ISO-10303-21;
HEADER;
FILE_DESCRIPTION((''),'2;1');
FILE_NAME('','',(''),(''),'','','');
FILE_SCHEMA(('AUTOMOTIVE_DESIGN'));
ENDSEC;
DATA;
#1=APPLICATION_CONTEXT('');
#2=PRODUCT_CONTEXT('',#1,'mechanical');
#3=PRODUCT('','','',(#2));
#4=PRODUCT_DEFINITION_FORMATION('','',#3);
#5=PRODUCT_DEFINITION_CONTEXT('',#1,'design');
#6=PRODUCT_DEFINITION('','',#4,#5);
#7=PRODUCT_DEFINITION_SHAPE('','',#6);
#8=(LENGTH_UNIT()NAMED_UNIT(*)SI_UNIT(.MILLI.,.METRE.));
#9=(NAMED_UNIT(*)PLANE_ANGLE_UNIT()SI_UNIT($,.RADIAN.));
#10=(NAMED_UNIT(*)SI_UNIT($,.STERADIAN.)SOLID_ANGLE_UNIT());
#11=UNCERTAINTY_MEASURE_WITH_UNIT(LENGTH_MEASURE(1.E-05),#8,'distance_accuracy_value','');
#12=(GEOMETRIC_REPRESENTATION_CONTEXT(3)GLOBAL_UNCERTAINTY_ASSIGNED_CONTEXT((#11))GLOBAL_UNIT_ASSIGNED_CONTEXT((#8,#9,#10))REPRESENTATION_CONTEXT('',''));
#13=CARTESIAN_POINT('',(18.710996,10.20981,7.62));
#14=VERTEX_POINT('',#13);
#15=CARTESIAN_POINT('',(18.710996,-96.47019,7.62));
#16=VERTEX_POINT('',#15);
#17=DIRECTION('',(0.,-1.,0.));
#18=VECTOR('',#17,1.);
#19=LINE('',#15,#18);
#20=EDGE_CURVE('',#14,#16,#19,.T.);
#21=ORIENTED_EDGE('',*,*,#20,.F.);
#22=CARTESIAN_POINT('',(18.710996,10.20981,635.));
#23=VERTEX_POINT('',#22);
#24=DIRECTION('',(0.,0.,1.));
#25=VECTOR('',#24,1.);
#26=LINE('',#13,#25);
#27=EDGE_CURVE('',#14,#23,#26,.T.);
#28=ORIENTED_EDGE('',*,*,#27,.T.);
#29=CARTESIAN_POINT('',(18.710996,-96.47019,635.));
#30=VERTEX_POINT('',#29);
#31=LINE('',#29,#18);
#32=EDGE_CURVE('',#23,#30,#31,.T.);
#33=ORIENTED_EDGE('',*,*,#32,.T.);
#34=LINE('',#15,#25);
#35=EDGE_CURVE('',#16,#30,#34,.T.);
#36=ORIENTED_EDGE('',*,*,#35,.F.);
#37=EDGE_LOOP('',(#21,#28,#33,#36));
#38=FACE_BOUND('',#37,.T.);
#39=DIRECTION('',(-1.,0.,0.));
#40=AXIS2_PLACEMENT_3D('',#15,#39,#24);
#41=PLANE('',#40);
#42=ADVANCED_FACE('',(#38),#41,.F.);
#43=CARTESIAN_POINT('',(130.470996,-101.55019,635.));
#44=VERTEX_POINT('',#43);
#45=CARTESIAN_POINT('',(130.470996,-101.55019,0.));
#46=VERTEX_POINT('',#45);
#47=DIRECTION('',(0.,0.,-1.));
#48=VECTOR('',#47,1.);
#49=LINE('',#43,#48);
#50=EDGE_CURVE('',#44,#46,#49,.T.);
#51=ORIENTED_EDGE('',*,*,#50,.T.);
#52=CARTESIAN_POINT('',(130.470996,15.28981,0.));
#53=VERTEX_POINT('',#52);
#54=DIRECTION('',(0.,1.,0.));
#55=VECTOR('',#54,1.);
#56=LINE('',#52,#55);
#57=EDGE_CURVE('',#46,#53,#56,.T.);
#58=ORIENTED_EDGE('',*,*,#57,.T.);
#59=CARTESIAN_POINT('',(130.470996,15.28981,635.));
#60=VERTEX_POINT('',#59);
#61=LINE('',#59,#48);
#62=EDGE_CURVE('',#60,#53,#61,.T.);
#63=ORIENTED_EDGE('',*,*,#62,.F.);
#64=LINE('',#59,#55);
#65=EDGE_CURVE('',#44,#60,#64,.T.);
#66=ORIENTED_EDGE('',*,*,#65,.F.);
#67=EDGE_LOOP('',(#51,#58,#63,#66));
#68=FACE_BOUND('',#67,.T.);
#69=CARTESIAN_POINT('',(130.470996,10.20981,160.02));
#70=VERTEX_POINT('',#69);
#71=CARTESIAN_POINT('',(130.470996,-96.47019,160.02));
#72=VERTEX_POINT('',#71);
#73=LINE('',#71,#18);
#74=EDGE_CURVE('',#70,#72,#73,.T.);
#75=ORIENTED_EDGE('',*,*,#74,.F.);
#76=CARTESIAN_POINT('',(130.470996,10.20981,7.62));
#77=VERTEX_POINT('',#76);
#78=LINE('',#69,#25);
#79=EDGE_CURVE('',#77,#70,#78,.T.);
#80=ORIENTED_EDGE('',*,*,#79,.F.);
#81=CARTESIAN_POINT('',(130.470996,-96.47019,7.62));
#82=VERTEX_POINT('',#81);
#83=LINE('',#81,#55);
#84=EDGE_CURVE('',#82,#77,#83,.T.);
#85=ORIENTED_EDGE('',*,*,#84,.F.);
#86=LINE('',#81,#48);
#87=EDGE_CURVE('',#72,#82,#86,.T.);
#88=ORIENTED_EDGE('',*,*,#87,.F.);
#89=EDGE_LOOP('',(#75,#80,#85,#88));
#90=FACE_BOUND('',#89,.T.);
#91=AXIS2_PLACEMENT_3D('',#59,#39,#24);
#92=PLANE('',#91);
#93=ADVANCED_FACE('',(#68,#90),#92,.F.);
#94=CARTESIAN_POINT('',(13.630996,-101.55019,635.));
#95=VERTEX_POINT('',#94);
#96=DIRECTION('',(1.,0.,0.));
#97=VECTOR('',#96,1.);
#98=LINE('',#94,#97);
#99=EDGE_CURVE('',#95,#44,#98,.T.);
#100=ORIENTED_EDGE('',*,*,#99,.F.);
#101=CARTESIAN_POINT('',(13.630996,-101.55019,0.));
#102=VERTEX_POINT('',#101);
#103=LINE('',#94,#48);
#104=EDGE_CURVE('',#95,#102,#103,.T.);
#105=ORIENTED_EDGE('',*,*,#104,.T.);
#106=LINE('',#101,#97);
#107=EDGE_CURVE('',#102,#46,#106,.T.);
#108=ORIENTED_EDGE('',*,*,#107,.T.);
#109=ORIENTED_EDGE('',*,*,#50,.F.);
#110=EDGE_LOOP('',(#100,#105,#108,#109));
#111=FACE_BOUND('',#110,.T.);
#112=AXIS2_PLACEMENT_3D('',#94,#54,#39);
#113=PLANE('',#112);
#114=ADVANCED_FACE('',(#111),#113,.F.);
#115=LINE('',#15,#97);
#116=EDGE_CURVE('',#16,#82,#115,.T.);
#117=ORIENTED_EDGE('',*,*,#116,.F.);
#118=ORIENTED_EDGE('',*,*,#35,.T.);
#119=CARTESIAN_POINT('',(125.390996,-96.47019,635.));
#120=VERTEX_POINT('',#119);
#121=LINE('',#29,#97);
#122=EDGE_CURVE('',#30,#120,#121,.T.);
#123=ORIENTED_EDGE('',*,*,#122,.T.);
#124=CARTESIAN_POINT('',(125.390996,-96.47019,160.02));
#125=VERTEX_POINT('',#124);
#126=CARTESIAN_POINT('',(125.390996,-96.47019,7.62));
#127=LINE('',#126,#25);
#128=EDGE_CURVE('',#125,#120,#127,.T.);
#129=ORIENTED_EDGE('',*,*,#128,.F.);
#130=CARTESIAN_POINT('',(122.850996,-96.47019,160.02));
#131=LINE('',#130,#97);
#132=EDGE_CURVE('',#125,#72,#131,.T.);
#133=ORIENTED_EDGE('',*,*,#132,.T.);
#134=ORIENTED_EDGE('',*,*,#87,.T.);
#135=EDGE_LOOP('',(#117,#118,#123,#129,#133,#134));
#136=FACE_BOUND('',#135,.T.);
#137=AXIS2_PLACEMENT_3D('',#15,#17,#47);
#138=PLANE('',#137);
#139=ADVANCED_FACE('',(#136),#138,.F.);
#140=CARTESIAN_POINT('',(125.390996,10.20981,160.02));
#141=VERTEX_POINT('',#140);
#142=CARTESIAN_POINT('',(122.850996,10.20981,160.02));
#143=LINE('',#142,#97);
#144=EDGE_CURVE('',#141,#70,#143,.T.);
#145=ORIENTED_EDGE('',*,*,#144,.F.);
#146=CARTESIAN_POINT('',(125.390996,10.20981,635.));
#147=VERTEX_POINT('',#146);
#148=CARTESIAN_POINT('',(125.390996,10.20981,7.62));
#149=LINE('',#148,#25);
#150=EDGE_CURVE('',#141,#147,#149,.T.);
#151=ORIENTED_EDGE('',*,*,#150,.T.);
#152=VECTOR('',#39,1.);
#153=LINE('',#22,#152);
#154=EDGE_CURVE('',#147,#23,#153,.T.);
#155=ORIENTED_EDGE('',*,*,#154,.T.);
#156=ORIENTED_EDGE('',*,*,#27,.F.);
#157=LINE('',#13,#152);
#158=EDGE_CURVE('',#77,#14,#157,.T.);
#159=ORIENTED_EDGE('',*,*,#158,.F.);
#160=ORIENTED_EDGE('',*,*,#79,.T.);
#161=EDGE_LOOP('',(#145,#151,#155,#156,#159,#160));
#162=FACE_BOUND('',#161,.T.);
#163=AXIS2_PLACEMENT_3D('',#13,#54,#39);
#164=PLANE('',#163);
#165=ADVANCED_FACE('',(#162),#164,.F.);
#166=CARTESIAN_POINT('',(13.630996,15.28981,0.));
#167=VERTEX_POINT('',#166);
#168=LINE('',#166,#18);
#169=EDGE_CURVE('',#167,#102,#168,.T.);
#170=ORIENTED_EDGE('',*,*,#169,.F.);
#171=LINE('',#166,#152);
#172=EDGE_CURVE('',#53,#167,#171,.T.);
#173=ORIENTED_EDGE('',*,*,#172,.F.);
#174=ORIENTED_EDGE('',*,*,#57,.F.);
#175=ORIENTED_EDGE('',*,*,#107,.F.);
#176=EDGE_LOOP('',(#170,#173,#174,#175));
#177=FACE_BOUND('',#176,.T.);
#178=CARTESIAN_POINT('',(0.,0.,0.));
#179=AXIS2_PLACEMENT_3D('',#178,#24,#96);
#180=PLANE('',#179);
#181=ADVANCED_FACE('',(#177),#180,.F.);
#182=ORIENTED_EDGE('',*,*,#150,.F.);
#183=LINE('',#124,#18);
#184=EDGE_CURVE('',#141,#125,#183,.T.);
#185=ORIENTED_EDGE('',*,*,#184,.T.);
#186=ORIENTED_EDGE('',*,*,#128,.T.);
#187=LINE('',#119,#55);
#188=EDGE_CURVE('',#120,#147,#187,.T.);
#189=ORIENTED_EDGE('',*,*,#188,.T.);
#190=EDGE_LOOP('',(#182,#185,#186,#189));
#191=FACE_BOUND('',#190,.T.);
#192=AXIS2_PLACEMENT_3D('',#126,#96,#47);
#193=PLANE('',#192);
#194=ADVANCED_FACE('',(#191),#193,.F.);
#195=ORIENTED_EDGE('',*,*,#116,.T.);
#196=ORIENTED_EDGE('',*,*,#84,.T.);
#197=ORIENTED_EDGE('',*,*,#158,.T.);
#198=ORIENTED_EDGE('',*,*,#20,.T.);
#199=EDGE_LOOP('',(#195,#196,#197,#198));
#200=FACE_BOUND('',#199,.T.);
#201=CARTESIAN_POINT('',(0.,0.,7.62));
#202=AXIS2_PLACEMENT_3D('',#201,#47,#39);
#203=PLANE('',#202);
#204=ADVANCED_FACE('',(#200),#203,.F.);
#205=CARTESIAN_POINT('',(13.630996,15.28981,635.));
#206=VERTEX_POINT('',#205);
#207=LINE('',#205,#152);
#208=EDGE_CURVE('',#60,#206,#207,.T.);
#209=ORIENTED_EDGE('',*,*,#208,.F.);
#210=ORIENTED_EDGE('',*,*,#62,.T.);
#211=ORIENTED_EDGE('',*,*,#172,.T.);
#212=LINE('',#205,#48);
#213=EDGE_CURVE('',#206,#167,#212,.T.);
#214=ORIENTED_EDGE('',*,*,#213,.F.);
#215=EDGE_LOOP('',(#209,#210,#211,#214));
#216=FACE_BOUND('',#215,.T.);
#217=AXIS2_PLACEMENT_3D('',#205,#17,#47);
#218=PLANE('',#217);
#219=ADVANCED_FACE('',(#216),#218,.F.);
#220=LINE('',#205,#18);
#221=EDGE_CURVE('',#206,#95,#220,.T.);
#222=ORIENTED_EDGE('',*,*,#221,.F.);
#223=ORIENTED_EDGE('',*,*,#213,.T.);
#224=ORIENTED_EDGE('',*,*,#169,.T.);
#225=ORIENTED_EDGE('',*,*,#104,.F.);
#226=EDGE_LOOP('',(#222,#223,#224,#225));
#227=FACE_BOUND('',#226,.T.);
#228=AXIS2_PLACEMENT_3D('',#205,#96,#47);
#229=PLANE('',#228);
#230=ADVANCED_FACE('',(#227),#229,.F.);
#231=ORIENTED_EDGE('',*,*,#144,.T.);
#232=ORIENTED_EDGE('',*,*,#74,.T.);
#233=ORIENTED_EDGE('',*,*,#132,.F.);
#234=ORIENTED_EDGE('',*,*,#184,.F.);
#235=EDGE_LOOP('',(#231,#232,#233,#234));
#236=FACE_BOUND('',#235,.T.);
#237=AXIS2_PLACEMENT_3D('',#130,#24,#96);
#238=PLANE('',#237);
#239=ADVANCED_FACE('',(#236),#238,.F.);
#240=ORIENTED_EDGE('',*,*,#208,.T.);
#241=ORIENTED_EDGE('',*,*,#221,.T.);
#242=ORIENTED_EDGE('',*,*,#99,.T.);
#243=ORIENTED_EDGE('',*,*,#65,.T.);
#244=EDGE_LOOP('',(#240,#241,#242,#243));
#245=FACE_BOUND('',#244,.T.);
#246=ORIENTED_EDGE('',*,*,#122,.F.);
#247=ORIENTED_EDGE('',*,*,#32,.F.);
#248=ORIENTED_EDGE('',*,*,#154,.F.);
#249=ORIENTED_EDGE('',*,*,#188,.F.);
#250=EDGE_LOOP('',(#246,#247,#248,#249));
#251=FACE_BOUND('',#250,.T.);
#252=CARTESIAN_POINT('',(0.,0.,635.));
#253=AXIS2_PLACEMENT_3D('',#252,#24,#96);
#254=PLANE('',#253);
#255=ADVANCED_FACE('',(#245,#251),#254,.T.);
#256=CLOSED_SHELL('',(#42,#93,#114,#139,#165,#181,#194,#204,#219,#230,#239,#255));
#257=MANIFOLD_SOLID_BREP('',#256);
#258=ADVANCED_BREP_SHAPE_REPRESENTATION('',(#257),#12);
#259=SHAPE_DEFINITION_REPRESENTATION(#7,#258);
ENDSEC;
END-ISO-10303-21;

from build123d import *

# Parameters (mm, degrees)
SKETCH2_W           = 116.84
SKETCH2_H           = 116.84
BOSS_EXTRUDE1_DEPTH = 635
SKETCH3_W           = 106.68
SKETCH3_H           = 106.68
CUT_EXTRUDE1_DEPTH  = 627.38
SKETCH4_W           = 152.4
SKETCH4_H           = 106.68
CUT_EXTRUDE2_DEPTH  = 7.62


with BuildPart() as part:
    # Sketch2 → Boss-Extrude1 (new body)
    with BuildSketch(Plane.XY):
        with Locations((72.050995802, -43.130189795)):
            Rectangle(SKETCH2_W, SKETCH2_H)
    extrude(amount=BOSS_EXTRUDE1_DEPTH)

    # Sketch3 → Cut-Extrude1 (cut)
    with BuildSketch(Plane.XY.offset(635)):
        with Locations((72.050995802, -43.130189795)):
            Rectangle(SKETCH3_W, SKETCH3_H)
    extrude(amount=-CUT_EXTRUDE1_DEPTH, mode=Mode.SUBTRACT)

    # Sketch4 → Cut-Extrude2 (cut)
    with BuildSketch(Plane(origin=(130.470995802, 0, 0), x_dir=(0, 0, -1), z_dir=(1, 0, 0))):
        with Locations((-83.82, -43.130189795)):
            Rectangle(SKETCH4_W, SKETCH4_H)
    extrude(amount=-CUT_EXTRUDE2_DEPTH, mode=Mode.SUBTRACT)


solid = part.part
